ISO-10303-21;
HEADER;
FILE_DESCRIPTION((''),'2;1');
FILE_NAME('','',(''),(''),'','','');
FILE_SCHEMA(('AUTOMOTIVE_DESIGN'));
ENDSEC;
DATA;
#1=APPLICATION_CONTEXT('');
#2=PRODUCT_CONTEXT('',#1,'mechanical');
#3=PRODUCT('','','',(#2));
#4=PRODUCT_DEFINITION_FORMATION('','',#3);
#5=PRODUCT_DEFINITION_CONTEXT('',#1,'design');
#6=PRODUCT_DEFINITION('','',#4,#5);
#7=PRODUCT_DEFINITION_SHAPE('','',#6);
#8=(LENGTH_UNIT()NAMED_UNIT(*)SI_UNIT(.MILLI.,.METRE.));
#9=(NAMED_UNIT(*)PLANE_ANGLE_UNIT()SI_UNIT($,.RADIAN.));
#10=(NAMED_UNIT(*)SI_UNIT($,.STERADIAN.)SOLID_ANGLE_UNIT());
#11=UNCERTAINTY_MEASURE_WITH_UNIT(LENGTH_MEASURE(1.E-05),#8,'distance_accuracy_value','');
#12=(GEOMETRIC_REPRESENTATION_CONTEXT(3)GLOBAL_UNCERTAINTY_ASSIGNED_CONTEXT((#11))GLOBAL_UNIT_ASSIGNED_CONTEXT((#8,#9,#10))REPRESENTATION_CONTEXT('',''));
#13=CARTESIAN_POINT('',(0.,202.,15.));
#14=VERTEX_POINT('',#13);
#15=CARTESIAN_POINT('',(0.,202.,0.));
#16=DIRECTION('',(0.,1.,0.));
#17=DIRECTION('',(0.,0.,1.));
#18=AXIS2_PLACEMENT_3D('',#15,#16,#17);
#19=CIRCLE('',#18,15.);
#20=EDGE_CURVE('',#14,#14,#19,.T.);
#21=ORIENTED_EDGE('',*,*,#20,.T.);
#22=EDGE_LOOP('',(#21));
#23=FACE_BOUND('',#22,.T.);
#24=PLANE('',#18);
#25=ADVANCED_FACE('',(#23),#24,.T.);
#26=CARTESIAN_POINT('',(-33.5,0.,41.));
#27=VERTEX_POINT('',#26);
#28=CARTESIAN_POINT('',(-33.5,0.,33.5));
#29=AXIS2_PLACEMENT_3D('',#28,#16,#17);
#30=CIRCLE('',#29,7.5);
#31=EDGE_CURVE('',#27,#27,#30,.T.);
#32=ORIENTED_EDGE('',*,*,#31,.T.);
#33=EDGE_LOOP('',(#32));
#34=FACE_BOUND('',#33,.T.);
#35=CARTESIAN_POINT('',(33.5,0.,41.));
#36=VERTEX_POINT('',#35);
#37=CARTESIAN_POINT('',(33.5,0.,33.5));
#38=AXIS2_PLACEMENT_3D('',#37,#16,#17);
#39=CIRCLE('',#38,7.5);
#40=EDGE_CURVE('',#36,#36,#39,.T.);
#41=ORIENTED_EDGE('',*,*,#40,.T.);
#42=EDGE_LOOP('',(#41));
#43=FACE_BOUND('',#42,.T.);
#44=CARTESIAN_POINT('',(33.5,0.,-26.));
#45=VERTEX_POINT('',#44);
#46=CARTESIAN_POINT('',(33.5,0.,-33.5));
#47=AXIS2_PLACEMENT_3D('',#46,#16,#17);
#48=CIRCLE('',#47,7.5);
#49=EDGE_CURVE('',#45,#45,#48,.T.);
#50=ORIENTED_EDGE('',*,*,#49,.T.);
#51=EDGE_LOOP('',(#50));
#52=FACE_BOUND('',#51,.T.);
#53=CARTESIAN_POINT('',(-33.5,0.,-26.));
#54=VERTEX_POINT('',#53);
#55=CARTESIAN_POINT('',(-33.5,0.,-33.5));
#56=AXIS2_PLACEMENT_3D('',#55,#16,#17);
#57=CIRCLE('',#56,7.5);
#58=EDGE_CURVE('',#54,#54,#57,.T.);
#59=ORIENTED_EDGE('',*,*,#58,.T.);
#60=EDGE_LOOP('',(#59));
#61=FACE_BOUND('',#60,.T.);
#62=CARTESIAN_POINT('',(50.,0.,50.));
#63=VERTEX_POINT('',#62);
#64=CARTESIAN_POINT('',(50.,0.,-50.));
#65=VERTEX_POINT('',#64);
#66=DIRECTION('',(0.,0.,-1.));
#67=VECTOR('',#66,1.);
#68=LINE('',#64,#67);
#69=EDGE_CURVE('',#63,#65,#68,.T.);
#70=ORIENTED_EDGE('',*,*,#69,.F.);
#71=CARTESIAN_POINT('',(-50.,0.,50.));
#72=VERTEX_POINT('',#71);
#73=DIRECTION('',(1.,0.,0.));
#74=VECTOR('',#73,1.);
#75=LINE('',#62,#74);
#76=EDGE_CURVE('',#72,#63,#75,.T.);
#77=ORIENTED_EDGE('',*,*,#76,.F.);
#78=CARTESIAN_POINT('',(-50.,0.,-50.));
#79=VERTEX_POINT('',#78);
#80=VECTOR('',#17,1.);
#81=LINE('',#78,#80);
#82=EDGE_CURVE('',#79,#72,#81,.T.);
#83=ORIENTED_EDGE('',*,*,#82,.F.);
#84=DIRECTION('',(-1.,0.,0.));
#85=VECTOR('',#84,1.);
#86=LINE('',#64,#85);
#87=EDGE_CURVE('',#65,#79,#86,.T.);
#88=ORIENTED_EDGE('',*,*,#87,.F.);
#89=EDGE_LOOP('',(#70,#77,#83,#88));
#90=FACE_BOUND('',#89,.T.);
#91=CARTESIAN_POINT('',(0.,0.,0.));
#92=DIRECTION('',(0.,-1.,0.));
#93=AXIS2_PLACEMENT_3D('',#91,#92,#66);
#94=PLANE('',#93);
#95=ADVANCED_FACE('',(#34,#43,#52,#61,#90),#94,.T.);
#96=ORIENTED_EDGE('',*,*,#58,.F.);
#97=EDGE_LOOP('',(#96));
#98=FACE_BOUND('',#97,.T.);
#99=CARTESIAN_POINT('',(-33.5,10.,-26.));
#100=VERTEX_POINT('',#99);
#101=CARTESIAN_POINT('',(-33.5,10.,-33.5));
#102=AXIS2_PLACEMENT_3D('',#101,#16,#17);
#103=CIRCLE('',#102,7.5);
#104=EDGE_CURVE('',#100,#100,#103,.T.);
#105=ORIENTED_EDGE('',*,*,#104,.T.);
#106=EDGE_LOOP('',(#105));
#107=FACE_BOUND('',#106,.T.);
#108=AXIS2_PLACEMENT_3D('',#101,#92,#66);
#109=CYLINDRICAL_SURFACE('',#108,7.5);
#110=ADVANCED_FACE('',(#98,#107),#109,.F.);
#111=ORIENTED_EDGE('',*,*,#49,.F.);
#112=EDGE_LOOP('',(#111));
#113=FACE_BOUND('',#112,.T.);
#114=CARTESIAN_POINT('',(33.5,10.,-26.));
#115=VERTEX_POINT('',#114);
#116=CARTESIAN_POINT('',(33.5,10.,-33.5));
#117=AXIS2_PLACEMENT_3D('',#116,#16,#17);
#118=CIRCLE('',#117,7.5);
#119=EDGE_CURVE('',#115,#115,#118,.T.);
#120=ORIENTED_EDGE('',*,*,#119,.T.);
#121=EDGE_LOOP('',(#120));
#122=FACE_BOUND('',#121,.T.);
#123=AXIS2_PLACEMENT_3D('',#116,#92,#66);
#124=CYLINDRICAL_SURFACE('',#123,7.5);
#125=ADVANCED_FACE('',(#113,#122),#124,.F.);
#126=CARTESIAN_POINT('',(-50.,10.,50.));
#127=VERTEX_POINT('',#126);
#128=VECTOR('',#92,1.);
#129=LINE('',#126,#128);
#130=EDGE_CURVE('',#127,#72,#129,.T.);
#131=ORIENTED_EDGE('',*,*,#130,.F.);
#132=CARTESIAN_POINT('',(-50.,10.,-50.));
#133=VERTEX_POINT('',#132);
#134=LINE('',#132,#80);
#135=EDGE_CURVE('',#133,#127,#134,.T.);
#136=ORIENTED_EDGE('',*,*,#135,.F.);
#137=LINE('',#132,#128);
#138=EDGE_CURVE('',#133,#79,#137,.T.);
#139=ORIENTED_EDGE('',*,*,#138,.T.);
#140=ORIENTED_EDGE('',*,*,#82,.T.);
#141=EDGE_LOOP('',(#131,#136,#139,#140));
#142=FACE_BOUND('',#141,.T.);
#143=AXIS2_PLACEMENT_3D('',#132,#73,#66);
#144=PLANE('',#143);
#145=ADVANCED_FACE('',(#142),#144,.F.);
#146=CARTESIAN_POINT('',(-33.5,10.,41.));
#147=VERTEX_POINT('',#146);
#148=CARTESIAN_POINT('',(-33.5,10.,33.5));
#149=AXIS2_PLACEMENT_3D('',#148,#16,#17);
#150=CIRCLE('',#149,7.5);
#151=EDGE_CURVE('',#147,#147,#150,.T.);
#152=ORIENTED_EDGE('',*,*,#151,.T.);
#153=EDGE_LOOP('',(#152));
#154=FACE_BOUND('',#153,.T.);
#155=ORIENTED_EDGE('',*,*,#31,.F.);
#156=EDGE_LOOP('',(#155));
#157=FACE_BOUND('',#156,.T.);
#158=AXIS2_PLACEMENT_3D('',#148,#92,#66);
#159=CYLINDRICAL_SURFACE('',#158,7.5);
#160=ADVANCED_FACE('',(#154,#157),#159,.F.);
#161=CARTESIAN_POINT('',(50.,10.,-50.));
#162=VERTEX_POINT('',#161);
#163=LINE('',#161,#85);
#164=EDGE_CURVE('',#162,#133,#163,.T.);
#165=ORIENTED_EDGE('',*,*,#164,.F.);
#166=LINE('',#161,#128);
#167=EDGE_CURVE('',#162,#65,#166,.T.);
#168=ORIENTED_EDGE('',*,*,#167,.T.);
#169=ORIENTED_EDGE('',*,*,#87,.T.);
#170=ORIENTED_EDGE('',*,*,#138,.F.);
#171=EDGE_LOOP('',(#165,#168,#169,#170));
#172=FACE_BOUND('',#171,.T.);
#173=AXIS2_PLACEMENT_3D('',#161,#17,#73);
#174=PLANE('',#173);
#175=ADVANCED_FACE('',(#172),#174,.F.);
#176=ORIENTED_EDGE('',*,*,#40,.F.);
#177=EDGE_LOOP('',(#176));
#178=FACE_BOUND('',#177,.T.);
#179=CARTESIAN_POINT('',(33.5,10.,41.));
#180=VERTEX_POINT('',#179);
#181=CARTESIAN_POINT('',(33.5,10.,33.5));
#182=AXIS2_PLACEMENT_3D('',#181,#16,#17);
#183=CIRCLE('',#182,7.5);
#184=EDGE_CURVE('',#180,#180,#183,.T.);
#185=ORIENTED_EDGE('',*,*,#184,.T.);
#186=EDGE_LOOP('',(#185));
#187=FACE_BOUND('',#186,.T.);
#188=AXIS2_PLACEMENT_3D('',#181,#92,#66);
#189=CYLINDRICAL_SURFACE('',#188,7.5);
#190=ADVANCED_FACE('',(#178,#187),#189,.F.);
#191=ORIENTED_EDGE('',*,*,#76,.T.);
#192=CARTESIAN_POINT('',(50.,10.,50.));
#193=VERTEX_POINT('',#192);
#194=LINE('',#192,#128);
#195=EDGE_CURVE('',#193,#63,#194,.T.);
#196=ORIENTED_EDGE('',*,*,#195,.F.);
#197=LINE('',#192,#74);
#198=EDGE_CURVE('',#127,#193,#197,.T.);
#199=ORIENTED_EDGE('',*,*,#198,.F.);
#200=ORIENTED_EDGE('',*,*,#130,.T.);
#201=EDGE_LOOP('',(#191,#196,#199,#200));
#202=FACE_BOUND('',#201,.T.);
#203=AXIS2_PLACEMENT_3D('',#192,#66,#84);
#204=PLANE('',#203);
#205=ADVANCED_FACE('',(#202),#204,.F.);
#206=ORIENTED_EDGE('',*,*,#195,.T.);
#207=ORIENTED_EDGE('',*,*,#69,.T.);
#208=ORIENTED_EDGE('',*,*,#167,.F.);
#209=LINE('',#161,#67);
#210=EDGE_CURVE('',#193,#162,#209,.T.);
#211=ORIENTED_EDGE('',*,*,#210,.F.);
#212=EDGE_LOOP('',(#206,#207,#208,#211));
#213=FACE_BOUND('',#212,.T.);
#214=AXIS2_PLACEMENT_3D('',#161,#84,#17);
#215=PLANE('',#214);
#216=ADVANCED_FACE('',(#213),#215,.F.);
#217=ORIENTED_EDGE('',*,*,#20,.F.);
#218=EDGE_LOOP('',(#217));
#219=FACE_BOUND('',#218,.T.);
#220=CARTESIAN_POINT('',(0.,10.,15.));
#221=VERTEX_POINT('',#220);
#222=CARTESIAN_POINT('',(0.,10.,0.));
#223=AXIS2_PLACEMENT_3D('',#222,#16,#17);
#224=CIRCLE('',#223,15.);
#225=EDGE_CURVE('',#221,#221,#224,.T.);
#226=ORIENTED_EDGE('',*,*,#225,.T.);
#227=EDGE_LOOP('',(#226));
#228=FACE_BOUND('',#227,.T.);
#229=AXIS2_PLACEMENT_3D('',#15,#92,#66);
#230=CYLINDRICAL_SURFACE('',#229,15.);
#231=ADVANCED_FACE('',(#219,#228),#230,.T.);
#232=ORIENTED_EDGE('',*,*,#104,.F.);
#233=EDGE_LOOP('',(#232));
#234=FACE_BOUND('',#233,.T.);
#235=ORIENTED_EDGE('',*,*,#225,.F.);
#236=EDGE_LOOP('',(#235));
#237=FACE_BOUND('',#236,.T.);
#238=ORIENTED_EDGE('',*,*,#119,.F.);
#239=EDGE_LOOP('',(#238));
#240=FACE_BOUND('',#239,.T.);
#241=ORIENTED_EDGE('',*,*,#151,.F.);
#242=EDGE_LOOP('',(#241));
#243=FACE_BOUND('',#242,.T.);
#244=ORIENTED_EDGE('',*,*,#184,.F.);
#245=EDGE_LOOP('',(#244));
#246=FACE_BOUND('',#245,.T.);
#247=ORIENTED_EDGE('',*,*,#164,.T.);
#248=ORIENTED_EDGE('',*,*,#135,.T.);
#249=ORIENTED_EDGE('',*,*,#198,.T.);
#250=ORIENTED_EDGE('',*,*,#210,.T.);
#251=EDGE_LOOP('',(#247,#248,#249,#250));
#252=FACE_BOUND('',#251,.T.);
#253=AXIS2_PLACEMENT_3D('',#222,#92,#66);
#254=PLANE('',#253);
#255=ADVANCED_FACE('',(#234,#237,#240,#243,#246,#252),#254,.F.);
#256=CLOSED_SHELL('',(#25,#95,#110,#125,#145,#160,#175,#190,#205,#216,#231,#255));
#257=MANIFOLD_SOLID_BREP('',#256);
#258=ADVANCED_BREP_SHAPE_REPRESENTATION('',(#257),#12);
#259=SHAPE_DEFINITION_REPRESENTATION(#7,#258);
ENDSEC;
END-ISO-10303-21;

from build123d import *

# Parameters (mm, degrees)
SKETCH1_W           = 100
SKETCH1_H           = 100
SKETCH1_R           = 7.5
BOSS_EXTRUDE1_DEPTH = 10
SKETCH2_R           = 15
BOSS_EXTRUDE2_DEPTH = 192


with BuildPart() as part:
    # Sketch1 → Boss-Extrude1 (new body)
    with BuildSketch(Plane(origin=(0, 0, 0), x_dir=(1, 0, 0), z_dir=(0, 1, 0))):
        Rectangle(SKETCH1_W, SKETCH1_H)
        with Locations(Location((33.5, 33.5, 0), (0, 0, 270))):
            Circle(SKETCH1_R, mode=Mode.SUBTRACT)
        with Locations(Location((-33.5, 33.5, 0), (0, 0, 270))):
            Circle(SKETCH1_R, mode=Mode.SUBTRACT)
        with Locations(Location((-33.5, -33.5, 0), (0, 0, 270))):
            Circle(SKETCH1_R, mode=Mode.SUBTRACT)
        with Locations(Location((33.5, -33.5, 0), (0, 0, 270))):
            Circle(SKETCH1_R, mode=Mode.SUBTRACT)
    extrude(amount=BOSS_EXTRUDE1_DEPTH)

    # Sketch2 → Boss-Extrude2 (add)
    with BuildSketch(Plane(origin=(0, 10, 0), x_dir=(1, 0, 0), z_dir=(0, 1, 0))):
        with Locations(Location((0, 0, 0), (0, 0, 270))):
            Circle(SKETCH2_R)
    extrude(amount=BOSS_EXTRUDE2_DEPTH)


solid = part.part
